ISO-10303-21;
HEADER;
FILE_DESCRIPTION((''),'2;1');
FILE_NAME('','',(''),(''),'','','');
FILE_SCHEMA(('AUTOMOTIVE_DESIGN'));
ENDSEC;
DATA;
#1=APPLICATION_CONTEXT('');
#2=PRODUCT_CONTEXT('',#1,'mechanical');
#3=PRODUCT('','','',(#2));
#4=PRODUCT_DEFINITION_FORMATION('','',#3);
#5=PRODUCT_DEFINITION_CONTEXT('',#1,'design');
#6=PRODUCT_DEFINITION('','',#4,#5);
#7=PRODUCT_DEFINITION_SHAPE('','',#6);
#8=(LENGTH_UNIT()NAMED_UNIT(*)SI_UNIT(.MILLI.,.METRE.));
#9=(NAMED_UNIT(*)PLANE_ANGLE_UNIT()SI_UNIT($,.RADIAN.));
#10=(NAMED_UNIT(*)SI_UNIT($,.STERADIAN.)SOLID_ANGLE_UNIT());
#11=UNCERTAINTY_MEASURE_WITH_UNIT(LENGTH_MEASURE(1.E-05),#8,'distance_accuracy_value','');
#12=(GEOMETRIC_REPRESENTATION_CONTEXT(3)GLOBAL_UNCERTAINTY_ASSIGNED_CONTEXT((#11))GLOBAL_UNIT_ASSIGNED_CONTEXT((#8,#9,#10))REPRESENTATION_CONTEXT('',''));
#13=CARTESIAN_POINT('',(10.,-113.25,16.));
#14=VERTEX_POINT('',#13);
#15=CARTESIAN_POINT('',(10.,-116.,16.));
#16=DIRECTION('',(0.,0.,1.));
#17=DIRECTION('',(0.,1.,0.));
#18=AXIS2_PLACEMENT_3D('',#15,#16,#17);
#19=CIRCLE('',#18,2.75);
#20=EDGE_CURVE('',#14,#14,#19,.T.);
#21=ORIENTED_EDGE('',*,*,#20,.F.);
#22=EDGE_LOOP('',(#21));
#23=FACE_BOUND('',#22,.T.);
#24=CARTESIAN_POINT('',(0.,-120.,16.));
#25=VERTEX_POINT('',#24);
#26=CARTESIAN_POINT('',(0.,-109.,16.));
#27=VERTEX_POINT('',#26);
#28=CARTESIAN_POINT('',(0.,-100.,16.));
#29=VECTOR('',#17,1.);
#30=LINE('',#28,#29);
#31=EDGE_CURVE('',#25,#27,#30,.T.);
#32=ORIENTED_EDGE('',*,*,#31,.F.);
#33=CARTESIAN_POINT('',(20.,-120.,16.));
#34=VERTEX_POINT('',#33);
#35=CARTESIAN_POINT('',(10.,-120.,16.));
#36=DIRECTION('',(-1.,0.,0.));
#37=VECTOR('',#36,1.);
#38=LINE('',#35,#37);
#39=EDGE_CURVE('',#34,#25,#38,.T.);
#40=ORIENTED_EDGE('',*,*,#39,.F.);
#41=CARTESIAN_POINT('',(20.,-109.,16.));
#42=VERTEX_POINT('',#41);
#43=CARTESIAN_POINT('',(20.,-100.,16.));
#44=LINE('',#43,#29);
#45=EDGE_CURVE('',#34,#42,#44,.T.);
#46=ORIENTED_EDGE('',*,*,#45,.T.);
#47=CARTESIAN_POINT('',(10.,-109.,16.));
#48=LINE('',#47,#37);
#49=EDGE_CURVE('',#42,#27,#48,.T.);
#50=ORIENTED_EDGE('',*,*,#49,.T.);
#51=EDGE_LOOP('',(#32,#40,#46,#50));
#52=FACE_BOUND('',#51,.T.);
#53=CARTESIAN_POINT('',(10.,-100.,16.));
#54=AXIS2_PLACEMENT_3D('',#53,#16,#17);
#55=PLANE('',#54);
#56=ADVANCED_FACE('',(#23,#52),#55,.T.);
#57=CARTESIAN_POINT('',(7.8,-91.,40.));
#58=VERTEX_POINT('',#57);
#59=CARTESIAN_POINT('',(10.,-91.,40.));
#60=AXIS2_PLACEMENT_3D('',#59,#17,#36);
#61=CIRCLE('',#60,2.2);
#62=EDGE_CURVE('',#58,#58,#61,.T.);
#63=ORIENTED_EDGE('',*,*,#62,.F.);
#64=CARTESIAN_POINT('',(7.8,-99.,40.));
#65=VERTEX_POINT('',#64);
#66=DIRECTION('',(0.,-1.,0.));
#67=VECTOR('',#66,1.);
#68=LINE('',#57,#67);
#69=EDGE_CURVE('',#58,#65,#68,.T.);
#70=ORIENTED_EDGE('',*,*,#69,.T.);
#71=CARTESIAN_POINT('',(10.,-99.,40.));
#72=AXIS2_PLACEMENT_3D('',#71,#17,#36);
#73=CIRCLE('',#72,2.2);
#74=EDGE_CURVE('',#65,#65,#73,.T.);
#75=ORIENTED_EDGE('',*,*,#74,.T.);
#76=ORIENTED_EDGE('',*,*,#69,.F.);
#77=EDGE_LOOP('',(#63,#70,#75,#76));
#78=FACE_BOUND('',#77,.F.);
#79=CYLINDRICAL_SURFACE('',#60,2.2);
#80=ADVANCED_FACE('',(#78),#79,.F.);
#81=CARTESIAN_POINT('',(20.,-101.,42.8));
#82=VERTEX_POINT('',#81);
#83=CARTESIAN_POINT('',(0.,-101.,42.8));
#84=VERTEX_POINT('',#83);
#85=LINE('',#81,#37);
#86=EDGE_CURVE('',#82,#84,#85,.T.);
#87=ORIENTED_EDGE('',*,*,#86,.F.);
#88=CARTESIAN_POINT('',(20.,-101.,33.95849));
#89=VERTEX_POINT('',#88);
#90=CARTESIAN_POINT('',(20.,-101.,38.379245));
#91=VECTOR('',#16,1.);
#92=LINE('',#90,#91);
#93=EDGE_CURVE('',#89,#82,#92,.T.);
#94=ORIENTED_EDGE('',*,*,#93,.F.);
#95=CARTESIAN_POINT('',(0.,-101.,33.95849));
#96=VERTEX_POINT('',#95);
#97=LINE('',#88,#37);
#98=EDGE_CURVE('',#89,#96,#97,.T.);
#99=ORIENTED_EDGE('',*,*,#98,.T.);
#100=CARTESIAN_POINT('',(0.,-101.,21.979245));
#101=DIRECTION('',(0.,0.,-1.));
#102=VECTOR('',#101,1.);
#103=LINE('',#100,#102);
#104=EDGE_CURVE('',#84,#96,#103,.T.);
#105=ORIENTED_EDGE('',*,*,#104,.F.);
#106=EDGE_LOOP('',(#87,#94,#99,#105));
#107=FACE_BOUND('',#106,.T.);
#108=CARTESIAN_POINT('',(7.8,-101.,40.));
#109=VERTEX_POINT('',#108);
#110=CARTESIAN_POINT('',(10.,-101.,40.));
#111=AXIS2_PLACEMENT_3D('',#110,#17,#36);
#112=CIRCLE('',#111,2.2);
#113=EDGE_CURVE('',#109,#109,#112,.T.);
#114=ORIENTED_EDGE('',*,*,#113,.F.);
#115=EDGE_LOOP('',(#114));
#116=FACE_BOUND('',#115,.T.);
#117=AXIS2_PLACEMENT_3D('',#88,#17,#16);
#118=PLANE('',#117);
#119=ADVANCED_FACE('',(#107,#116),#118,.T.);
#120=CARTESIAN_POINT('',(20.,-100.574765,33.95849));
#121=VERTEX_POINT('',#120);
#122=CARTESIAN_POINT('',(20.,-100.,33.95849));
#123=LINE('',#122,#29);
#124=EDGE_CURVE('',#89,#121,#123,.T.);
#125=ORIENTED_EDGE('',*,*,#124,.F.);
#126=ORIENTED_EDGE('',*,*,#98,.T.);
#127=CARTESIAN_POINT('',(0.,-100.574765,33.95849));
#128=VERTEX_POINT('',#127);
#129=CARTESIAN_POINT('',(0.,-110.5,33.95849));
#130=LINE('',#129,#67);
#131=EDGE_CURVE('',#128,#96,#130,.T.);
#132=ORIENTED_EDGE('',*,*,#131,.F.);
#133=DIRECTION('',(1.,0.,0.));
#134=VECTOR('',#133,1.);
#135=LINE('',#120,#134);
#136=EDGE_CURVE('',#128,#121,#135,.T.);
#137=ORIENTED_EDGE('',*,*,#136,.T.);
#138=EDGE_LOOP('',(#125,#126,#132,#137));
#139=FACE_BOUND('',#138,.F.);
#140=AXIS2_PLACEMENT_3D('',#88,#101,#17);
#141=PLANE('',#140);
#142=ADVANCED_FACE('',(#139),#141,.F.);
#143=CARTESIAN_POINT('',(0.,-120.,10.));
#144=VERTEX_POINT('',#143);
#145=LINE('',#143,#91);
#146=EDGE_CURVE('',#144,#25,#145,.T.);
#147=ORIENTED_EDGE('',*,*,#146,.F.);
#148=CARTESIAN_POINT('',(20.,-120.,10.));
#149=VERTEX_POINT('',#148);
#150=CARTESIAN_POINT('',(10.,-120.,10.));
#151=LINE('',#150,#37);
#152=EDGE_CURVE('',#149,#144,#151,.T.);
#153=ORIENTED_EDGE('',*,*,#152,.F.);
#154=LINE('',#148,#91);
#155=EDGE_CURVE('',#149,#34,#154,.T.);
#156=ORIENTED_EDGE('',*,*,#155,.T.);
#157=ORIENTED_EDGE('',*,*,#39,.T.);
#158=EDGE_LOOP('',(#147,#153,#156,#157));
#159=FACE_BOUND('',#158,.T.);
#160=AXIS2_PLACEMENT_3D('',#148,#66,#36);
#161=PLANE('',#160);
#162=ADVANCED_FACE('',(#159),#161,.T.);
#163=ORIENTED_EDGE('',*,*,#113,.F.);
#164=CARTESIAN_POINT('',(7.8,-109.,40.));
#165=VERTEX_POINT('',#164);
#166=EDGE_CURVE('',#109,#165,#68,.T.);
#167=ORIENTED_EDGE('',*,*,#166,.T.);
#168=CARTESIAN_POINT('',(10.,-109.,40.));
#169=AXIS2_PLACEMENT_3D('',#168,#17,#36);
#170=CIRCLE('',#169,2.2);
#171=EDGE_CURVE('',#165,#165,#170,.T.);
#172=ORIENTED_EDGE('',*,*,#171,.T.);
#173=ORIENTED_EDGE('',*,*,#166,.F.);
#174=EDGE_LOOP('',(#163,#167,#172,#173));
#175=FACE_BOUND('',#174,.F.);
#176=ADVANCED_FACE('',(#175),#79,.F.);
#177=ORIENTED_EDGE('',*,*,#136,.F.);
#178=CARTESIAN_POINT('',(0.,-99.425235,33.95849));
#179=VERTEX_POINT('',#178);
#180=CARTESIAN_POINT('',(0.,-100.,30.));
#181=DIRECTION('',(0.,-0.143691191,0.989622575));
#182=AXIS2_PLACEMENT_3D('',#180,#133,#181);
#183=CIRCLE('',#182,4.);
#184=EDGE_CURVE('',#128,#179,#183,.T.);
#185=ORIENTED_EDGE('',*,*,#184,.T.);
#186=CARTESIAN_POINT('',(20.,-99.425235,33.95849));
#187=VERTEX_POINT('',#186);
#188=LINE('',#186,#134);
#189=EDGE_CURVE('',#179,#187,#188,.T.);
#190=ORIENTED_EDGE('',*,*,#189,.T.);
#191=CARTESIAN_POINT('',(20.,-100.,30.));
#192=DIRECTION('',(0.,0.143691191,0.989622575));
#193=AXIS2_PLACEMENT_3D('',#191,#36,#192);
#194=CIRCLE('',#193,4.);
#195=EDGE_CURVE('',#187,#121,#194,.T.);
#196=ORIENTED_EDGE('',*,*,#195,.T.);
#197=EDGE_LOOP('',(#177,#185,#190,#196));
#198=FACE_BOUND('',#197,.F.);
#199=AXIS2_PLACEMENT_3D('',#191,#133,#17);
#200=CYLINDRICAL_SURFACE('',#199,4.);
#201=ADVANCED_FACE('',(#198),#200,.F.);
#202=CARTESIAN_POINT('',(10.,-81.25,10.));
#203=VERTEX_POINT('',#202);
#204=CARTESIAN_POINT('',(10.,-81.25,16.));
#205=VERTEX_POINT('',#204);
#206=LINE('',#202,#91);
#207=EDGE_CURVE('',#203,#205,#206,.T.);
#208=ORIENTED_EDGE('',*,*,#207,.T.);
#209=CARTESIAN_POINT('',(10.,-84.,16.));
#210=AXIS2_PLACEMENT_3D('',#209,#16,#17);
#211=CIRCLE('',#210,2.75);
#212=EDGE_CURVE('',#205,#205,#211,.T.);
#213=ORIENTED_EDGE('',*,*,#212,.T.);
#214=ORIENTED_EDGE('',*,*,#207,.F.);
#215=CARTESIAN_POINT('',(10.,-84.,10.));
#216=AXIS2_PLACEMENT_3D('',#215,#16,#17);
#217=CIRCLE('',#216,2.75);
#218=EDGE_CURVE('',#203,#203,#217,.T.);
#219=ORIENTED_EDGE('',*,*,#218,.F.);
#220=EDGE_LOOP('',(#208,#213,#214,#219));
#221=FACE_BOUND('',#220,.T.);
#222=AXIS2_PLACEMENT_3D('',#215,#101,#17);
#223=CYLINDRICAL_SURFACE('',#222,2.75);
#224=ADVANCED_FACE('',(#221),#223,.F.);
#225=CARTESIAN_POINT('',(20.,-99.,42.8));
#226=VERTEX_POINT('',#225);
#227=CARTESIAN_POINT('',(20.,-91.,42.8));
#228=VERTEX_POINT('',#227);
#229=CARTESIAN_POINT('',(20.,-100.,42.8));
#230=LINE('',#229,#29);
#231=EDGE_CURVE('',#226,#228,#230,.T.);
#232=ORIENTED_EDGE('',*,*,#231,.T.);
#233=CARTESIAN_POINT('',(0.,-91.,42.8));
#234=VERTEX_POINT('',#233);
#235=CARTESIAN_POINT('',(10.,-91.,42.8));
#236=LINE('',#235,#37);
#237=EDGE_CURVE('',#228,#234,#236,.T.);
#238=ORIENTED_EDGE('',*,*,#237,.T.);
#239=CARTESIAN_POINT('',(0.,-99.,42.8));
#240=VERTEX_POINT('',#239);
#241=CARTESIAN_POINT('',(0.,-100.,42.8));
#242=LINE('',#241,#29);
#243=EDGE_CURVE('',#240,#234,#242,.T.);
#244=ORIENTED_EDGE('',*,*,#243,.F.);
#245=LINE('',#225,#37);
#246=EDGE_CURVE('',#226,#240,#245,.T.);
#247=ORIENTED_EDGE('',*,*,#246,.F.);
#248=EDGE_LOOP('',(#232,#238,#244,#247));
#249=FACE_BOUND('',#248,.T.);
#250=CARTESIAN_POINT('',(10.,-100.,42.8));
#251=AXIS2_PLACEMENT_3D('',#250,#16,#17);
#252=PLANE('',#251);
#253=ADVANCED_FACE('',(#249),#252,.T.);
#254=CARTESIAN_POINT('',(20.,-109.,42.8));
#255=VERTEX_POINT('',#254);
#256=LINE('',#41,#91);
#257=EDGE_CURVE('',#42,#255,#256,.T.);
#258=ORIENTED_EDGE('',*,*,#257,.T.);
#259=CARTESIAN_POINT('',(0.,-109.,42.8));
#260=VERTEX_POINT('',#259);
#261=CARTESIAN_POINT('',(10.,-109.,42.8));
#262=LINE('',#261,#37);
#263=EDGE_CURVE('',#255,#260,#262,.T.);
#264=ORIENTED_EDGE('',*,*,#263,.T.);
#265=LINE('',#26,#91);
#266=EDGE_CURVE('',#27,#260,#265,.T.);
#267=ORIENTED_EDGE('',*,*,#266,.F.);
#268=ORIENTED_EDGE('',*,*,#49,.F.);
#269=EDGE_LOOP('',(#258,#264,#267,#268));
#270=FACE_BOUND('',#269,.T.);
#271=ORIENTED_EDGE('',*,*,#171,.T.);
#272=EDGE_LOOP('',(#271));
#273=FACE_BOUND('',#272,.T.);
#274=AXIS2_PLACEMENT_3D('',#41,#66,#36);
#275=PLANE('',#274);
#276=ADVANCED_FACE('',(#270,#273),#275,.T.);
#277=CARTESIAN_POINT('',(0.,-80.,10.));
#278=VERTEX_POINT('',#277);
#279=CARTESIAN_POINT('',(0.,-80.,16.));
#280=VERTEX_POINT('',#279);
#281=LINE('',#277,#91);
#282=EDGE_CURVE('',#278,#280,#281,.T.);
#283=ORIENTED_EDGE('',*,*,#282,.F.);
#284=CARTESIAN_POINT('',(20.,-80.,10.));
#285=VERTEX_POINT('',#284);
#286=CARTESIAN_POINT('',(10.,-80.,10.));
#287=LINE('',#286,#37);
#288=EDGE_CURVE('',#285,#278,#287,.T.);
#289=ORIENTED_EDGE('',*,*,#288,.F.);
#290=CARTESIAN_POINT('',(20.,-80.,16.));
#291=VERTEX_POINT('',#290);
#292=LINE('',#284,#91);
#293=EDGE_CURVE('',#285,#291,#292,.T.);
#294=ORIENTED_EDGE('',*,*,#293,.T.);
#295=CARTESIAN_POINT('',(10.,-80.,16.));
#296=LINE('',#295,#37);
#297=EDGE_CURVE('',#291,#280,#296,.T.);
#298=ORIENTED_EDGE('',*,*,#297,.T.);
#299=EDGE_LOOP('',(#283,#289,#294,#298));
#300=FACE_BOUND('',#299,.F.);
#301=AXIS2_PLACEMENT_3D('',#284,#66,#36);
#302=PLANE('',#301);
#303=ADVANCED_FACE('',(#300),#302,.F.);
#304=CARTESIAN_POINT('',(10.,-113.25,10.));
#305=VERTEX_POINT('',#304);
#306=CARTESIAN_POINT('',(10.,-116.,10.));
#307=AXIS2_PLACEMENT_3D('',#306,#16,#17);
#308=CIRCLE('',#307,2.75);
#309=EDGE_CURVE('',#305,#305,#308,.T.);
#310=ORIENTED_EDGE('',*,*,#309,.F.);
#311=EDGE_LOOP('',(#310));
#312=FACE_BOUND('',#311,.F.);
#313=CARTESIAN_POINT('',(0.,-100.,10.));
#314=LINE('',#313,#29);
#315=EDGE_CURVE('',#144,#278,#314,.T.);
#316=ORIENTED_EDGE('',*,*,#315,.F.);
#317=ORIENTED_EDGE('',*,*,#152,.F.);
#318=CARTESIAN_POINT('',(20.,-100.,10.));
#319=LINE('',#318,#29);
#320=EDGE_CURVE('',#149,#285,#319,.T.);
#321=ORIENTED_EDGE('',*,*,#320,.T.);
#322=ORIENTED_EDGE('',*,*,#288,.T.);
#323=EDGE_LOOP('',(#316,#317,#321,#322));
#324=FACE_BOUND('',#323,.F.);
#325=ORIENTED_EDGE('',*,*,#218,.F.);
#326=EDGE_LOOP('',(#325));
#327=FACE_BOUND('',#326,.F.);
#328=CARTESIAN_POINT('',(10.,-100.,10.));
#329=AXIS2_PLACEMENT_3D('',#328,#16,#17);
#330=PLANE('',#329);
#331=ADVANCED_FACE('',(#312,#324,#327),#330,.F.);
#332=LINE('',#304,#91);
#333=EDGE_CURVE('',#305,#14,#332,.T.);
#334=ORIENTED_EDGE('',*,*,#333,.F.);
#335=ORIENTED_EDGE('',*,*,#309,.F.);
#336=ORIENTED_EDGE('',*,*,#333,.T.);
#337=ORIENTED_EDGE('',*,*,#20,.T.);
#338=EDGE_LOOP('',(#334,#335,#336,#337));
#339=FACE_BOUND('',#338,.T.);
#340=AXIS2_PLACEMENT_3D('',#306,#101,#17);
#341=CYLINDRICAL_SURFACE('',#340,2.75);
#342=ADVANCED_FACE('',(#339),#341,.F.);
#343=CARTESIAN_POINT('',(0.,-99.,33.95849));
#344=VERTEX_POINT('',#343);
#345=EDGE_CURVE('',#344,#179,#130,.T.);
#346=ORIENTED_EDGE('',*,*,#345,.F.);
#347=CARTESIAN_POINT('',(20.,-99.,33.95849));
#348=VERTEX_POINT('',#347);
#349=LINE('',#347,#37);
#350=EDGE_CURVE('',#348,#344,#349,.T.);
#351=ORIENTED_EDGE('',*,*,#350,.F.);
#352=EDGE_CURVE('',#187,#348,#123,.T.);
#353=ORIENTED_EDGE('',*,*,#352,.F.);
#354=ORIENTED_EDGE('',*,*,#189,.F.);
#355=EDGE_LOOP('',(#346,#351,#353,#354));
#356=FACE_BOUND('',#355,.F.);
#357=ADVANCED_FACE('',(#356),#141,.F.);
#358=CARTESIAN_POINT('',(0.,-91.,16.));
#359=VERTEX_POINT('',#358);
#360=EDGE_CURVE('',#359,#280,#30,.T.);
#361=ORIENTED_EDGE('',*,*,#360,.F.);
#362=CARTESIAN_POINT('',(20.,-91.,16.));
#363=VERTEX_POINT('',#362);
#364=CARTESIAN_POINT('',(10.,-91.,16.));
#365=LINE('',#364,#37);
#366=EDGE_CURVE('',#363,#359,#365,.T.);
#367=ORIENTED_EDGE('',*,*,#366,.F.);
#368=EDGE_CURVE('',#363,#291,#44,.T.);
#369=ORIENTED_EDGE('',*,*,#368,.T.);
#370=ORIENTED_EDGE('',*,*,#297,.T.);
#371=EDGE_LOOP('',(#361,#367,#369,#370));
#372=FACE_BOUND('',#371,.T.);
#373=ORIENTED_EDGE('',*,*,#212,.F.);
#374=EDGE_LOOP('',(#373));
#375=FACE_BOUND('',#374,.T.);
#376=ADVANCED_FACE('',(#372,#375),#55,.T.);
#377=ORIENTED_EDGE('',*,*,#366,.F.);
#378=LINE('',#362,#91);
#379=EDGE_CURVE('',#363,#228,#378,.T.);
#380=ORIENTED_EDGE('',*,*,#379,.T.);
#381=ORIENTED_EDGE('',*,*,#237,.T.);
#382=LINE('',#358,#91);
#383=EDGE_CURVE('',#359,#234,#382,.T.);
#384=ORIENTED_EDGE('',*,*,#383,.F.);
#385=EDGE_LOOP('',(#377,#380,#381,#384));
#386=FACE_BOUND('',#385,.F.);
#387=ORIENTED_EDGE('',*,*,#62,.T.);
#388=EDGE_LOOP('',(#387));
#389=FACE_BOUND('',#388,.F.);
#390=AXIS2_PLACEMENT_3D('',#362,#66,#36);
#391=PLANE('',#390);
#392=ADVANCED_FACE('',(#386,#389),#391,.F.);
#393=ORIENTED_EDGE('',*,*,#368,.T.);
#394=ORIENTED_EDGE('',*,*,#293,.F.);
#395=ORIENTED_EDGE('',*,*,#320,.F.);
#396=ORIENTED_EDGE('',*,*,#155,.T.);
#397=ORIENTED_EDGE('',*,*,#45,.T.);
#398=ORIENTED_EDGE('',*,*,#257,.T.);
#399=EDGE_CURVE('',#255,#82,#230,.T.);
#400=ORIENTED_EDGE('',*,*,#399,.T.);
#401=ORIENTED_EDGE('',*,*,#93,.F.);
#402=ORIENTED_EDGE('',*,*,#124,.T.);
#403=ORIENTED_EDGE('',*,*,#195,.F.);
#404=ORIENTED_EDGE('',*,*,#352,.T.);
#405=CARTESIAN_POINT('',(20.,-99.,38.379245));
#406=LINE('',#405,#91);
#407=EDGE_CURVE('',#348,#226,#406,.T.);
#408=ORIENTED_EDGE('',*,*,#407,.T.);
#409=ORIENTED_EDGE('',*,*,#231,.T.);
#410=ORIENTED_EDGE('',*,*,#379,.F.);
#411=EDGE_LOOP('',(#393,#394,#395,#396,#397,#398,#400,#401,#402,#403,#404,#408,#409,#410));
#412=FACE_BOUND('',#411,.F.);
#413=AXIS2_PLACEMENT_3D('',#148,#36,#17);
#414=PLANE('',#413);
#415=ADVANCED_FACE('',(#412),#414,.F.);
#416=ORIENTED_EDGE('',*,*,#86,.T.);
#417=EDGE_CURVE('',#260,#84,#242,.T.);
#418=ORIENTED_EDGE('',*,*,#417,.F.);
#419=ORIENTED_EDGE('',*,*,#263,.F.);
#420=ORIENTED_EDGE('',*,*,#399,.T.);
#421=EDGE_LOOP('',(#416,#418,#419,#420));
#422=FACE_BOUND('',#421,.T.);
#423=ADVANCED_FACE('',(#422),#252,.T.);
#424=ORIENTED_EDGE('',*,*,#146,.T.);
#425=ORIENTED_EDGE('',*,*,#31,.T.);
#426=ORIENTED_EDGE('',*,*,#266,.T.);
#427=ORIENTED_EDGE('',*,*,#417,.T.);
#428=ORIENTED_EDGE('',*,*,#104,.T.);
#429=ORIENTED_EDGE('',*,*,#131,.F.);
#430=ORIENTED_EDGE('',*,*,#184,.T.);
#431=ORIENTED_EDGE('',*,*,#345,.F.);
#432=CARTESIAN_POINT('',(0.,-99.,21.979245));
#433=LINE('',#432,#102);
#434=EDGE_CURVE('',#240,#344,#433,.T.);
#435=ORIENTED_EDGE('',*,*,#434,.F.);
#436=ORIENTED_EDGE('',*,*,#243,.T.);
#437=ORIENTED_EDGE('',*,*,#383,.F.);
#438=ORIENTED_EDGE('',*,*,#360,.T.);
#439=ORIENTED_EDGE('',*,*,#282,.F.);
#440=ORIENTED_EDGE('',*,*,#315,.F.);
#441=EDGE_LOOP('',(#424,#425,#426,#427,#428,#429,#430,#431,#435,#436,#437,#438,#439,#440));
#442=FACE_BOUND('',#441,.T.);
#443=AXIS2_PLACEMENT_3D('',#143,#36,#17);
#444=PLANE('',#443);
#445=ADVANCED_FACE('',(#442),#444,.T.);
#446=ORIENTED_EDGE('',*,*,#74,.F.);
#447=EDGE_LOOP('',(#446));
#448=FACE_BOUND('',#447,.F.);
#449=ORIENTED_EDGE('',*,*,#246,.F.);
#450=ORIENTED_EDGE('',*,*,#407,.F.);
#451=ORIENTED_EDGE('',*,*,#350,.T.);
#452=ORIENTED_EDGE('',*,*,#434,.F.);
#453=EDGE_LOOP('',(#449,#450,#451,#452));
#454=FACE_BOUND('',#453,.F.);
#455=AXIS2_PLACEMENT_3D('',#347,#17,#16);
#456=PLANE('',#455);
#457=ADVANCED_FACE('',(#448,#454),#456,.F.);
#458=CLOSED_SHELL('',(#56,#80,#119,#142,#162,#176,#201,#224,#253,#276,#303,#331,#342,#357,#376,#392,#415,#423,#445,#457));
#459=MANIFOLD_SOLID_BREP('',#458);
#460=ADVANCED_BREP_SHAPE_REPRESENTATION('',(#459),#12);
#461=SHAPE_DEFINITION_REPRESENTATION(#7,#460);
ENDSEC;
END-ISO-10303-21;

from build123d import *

# Parameters (mm, degrees)
SKETCH008_W              = 40
SKETCH008_H              = 20
SKETCH008_R              = 2.75
PAD005_DEPTH             = 6
SKETCH009_W              = 18
SKETCH009_H              = 20
PAD006_DEPTH             = 26.8
SKETCH010_R              = 4
POCKET001_DEPTH          = 20.001
SKETCH011_W              = 2
SKETCH011_H              = 8.8415096984
POCKET002_DEPTH          = 20.001
SKETCH012_R              = 2.2
POCKET003_DEPTH          = 29.001
CLONE011_PLACEMENT_ANGLE = 90


with BuildPart() as part:
    # Sketch008 → Pad005 (new body)
    with BuildSketch(Plane.XY):
        Rectangle(SKETCH008_W, SKETCH008_H)
        with Locations((-16, 0)):
            Circle(SKETCH008_R, mode=Mode.SUBTRACT)
        with Locations((16, 0)):
            Circle(SKETCH008_R, mode=Mode.SUBTRACT)
    extrude(amount=PAD005_DEPTH)

    # Sketch009 (on Face8 of Pad005) → Pad006 (join)
    with BuildSketch(Plane.XY.offset(6)):
        Rectangle(SKETCH009_W, SKETCH009_H)
    extrude(amount=PAD006_DEPTH)

    # Sketch010 (on Face14 of Pad006) → Pocket001 (cut, through all)
    with BuildSketch(Plane.XZ.offset(10)):
        with Locations((0, 20)):
            Circle(SKETCH010_R)
    extrude(amount=-POCKET001_DEPTH, mode=Mode.SUBTRACT)

    # Sketch011 (on Face15 of Pocket001) → Pocket002 (cut, through all)
    with BuildSketch(Plane.XZ.offset(10)):
        with Locations((0, 28.3792451508)):
            Rectangle(SKETCH011_W, SKETCH011_H)
    extrude(amount=-POCKET002_DEPTH, mode=Mode.SUBTRACT)

    # Sketch012 (on Face12 of Pocket002) → Pocket003 (cut, through all)
    with BuildSketch(Plane.YZ.offset(9)):
        with Locations((0, 30)):
            Circle(SKETCH012_R)
    extrude(amount=-POCKET003_DEPTH, mode=Mode.SUBTRACT)


with BuildPart() as part_1:
    # Clone011 placement: moved
    add(part.part.moved(Location((10, -100, 10))).rotate(Axis((10, -100, 10), (0, 0, 1)), CLONE011_PLACEMENT_ANGLE))


solid = part_1.part
